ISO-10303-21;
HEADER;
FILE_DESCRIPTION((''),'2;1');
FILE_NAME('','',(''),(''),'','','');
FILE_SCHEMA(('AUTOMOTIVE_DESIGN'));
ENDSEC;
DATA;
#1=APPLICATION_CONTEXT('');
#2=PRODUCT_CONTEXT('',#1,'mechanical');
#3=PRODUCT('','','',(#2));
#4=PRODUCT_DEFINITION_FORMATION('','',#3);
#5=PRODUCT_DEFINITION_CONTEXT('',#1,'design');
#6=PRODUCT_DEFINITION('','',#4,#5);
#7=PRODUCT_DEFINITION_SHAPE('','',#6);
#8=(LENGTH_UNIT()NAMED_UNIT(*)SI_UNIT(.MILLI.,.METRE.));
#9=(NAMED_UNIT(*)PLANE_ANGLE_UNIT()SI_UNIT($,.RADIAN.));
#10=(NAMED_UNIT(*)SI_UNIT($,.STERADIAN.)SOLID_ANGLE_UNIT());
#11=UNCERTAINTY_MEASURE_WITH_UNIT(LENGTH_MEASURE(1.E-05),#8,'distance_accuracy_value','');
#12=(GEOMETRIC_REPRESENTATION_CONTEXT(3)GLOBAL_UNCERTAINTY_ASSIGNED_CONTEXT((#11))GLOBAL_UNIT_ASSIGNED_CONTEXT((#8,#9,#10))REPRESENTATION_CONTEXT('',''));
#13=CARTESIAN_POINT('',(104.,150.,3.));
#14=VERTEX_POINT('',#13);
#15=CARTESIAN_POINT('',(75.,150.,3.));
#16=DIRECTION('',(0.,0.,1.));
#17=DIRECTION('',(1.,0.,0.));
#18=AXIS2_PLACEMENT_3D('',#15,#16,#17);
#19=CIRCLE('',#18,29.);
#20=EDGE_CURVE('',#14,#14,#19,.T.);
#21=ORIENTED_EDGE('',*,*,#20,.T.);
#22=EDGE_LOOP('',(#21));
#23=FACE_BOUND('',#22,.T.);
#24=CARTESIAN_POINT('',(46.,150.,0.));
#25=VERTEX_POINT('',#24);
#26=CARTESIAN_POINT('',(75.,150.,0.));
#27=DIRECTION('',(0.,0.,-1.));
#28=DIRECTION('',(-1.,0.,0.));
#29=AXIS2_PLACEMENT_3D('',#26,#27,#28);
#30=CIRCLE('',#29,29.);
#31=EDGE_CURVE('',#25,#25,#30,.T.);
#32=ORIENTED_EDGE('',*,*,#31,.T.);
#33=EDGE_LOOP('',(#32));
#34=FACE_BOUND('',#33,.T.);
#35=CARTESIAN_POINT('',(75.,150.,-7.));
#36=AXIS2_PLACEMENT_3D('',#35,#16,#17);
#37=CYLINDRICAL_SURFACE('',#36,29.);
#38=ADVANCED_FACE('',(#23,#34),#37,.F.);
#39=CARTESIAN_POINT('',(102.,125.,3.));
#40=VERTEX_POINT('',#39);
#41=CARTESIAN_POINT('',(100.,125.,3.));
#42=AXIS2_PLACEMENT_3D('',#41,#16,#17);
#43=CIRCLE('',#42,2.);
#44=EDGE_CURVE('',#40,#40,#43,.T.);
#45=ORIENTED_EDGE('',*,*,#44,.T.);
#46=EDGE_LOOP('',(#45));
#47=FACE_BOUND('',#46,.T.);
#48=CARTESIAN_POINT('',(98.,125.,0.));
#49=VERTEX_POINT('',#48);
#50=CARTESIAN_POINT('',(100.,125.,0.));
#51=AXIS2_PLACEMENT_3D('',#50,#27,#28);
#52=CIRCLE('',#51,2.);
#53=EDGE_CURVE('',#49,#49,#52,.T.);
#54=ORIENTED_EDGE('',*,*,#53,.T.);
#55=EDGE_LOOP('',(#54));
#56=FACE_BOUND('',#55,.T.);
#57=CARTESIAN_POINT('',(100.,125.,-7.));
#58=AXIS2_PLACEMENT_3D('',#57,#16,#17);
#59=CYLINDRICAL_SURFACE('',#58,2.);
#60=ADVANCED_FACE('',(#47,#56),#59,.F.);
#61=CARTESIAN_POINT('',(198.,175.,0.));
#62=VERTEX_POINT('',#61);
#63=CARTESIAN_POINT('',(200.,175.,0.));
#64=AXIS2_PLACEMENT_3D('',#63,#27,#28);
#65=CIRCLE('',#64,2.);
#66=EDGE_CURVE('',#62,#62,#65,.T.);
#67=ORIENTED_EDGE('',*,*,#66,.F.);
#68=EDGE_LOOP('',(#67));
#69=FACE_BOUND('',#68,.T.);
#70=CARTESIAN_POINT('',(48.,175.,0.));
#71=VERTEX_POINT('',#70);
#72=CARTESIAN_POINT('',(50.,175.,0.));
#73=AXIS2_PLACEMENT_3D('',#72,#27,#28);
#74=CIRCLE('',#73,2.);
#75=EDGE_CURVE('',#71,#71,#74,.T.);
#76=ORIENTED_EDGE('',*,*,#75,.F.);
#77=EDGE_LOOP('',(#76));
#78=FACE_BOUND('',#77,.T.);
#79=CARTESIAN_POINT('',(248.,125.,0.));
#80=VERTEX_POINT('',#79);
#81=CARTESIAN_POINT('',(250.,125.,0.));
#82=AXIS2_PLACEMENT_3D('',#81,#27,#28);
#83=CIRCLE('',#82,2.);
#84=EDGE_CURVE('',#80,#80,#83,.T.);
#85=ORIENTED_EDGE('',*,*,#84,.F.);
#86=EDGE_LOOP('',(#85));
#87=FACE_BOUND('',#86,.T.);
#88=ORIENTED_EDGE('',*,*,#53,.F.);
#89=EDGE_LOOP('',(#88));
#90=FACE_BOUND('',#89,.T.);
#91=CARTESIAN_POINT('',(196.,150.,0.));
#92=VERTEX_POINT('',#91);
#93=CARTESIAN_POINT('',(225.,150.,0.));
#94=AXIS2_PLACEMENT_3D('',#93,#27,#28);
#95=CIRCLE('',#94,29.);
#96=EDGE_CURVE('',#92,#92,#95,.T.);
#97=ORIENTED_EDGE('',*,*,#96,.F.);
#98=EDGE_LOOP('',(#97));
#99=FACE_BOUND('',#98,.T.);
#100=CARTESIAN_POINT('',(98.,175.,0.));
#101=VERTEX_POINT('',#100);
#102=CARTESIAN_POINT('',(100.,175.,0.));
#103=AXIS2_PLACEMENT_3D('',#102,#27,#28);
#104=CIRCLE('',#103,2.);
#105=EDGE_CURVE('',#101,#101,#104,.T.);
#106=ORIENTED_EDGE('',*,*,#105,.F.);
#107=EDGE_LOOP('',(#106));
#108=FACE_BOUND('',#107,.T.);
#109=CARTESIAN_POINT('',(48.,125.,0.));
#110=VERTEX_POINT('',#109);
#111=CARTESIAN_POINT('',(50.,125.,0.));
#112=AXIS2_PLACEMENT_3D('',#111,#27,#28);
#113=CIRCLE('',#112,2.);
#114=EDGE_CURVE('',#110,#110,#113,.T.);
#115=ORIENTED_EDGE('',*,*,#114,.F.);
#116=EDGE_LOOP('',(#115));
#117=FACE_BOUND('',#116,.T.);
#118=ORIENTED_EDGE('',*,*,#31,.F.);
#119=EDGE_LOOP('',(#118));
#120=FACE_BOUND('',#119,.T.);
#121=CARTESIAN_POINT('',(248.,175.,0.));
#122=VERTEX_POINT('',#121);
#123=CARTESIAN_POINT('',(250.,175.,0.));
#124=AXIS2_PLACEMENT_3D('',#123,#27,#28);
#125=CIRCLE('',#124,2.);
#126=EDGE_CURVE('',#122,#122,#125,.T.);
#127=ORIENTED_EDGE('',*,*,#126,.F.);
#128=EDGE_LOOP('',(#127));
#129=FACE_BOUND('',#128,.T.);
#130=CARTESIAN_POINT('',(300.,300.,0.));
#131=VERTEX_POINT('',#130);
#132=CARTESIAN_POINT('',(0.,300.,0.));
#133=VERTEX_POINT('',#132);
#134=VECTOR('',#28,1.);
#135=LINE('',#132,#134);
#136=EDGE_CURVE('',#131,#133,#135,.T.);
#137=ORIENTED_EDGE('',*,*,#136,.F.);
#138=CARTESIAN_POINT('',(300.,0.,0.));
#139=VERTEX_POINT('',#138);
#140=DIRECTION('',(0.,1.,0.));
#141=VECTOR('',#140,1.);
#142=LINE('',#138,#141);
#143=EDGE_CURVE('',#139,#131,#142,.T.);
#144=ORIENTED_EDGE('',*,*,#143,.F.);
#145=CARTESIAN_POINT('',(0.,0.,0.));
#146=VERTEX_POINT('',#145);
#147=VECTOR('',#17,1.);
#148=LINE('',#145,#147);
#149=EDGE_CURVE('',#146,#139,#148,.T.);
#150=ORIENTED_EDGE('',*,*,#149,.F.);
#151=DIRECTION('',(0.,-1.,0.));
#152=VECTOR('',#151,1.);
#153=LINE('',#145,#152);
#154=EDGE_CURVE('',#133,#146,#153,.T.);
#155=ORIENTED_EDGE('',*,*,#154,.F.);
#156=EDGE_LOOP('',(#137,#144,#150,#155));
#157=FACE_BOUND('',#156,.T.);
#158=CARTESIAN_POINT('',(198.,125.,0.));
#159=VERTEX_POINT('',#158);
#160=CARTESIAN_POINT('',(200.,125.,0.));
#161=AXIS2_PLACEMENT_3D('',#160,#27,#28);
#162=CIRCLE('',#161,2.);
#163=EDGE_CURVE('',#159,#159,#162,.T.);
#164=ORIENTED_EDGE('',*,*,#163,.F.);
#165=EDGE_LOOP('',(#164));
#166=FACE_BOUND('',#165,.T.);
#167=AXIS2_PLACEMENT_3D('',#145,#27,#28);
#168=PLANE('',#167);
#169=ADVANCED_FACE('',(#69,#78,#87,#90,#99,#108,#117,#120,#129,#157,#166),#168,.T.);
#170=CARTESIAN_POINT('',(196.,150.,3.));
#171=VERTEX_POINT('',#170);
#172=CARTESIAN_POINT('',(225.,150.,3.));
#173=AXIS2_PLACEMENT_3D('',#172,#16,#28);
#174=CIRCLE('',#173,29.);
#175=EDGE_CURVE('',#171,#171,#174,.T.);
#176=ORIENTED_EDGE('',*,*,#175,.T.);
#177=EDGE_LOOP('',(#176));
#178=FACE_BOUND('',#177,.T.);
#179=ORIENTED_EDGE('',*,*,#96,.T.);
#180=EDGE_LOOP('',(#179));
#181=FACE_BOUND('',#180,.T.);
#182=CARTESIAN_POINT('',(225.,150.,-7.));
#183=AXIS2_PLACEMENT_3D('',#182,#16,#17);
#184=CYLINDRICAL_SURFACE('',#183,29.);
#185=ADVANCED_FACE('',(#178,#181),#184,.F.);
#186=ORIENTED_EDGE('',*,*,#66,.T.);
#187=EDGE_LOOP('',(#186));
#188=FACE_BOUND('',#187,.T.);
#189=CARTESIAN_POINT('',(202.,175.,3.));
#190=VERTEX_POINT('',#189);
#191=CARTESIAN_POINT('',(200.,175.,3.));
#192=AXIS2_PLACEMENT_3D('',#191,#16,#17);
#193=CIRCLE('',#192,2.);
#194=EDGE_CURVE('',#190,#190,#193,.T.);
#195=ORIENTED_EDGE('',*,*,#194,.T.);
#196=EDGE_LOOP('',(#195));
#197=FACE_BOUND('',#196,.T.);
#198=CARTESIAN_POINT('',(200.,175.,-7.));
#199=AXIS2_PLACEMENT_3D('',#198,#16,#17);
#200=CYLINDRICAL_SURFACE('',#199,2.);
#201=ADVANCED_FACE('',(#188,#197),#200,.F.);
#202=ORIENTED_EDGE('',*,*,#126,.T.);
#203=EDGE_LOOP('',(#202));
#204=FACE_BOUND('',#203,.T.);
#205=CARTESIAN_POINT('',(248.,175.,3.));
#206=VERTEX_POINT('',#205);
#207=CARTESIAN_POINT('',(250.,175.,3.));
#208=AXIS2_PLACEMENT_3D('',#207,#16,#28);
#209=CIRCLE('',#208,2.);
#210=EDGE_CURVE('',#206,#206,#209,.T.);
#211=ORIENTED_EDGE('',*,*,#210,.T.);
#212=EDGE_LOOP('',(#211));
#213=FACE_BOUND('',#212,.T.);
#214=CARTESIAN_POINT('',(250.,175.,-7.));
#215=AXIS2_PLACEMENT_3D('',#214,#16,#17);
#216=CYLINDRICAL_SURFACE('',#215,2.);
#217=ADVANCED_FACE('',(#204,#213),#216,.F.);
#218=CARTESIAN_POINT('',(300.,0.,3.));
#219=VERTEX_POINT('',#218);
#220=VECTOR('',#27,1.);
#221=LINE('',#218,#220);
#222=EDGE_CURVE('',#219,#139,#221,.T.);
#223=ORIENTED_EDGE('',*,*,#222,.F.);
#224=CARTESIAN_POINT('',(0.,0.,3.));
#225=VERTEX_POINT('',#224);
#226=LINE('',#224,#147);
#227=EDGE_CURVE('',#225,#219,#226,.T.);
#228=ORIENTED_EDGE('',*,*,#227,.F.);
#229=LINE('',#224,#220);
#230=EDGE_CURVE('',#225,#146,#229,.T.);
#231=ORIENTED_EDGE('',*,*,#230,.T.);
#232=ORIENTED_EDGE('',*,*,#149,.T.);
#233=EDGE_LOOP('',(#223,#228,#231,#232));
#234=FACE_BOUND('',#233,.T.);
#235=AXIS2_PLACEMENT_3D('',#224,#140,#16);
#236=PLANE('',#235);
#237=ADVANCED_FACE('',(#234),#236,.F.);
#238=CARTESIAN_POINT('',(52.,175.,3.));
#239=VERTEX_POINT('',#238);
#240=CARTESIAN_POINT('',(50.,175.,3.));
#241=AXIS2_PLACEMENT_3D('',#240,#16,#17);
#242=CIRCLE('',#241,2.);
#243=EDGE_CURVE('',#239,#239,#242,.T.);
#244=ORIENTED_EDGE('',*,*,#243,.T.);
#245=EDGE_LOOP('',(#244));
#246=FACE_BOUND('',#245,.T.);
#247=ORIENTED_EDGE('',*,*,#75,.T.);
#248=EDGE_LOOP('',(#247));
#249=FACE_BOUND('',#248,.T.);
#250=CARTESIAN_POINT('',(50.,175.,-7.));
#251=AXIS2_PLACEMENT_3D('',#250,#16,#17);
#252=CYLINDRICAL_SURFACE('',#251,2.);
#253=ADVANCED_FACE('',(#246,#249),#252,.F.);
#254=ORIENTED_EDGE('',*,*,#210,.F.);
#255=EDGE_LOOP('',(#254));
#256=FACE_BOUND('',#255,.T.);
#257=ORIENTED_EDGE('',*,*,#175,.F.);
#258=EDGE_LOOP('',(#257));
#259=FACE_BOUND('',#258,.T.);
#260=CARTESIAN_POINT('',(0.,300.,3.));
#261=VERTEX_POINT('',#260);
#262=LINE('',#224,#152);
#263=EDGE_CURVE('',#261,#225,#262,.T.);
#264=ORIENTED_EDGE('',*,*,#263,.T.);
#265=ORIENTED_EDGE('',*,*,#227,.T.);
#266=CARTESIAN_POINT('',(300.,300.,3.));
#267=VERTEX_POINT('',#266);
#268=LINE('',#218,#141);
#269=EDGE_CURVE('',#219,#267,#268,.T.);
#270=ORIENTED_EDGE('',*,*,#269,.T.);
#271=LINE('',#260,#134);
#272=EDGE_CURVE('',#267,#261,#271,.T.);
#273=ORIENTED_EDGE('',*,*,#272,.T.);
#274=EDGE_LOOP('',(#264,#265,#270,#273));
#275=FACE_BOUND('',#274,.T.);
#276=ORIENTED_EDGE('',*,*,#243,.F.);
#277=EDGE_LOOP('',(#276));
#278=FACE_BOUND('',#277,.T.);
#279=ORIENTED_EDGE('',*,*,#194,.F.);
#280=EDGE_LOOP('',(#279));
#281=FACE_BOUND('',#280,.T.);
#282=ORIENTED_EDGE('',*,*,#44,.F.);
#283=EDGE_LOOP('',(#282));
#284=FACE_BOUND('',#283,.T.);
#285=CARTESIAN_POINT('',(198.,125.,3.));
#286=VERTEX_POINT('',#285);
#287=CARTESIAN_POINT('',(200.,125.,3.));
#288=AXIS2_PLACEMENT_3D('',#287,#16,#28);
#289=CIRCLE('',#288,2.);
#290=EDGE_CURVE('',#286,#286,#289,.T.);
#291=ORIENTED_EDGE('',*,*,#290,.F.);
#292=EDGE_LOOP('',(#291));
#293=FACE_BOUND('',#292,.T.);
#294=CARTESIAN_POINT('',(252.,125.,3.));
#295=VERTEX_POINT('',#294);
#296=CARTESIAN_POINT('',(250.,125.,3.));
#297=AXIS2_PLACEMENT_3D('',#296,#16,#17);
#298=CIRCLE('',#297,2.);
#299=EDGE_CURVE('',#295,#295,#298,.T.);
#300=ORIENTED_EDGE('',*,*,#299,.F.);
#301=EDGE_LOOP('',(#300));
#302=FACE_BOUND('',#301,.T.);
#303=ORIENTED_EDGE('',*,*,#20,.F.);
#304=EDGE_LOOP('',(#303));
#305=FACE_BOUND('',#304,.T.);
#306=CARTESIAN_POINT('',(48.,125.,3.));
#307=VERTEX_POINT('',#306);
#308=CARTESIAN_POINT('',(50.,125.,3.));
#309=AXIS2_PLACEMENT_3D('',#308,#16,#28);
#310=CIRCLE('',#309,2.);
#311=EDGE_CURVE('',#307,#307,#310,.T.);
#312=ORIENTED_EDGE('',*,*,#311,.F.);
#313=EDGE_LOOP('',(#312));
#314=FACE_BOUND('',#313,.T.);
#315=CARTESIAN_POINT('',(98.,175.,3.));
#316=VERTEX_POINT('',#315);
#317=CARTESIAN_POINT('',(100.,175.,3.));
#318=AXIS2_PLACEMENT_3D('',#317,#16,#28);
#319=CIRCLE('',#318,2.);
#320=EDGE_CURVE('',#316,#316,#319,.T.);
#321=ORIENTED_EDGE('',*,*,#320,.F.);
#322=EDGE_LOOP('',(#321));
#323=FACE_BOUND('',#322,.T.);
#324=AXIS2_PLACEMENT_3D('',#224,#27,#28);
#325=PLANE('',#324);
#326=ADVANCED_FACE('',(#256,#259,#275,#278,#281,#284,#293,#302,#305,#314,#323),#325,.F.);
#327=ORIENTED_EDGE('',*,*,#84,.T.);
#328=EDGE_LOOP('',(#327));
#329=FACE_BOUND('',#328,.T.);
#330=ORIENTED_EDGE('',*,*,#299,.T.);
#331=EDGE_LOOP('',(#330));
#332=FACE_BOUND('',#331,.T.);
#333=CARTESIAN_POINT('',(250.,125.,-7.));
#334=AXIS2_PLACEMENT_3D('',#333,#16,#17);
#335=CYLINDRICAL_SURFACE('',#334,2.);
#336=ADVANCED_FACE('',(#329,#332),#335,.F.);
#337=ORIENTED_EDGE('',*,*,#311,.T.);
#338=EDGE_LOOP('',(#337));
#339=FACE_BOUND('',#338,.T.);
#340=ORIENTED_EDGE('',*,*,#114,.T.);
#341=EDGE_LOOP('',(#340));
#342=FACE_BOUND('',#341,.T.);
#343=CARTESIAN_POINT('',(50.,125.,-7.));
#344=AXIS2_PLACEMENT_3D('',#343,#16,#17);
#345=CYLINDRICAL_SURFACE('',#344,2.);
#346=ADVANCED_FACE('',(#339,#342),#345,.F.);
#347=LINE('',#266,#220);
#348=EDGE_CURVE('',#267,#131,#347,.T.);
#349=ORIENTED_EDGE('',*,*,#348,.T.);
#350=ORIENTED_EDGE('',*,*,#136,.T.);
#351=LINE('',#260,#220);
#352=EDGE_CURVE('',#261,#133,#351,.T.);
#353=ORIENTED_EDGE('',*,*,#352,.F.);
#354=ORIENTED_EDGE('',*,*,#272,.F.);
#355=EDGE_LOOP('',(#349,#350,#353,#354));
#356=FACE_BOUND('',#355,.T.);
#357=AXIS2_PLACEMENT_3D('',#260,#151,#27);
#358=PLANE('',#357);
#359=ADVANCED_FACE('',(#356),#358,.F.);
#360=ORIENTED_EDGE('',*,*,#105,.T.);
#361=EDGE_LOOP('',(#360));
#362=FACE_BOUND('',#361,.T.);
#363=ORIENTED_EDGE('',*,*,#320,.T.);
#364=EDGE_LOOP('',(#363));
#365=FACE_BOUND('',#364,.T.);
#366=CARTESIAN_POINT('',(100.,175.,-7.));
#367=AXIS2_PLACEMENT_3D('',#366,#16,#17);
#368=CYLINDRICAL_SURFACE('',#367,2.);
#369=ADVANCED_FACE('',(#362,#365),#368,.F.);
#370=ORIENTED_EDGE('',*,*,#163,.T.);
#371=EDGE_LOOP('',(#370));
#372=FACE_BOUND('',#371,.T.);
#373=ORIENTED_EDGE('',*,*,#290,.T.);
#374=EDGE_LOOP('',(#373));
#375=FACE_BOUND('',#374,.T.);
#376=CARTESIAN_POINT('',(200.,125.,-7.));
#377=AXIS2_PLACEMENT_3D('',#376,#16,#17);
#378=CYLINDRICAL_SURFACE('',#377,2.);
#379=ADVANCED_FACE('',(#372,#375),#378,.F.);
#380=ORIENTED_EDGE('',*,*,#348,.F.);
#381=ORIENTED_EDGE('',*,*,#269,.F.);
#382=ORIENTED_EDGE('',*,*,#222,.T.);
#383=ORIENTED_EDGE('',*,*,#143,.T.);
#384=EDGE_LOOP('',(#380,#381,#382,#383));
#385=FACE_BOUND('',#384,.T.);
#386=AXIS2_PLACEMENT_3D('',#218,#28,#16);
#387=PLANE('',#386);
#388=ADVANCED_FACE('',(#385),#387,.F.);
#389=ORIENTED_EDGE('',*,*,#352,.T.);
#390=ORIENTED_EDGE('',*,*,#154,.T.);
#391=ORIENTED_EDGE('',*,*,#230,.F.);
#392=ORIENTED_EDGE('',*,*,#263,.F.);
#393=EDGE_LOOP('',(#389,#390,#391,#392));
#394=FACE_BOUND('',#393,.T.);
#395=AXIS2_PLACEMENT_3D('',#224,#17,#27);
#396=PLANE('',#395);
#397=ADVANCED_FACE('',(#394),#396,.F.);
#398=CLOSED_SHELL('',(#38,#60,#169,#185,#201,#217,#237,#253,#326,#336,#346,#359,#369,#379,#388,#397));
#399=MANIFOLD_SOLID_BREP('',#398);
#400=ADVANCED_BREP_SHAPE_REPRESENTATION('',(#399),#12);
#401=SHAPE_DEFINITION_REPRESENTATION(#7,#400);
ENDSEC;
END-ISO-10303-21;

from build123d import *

# Parameters (mm, degrees)
CROQUIS1_W              = 300
CROQUIS1_H              = 300
SALIENTE_EXTRUIR1_DEPTH = 3
CROQUIS2_R              = 2
CROQUIS2_R_2            = 29
CORTAR_EXTRUIR1_DEPTH   = 10


with BuildPart() as part:
    # Croquis1 → Saliente-Extruir1 (new body)
    with BuildSketch(Plane.XY):
        with Locations((150, 150)):
            Rectangle(CROQUIS1_W, CROQUIS1_H)
    extrude(amount=SALIENTE_EXTRUIR1_DEPTH)

    # Croquis2 → Cortar-Extruir1 (cut)
    with BuildSketch(Plane.XY.offset(3)):
        with Locations((50, 175)):
            Circle(CROQUIS2_R)
        with Locations((100, 175)):
            Circle(CROQUIS2_R)
        with Locations((100, 125)):
            Circle(CROQUIS2_R)
        with Locations((50, 125)):
            Circle(CROQUIS2_R)
        with Locations((75, 150)):
            Circle(CROQUIS2_R_2)
        with Locations((200, 125)):
            Circle(CROQUIS2_R)
        with Locations((250, 125)):
            Circle(CROQUIS2_R)
        with Locations((200, 175)):
            Circle(CROQUIS2_R)
        with Locations((225, 150)):
            Circle(CROQUIS2_R_2)
        with Locations((250, 175)):
            Circle(CROQUIS2_R)
    extrude(amount=-CORTAR_EXTRUIR1_DEPTH, mode=Mode.SUBTRACT)


solid = part.part
